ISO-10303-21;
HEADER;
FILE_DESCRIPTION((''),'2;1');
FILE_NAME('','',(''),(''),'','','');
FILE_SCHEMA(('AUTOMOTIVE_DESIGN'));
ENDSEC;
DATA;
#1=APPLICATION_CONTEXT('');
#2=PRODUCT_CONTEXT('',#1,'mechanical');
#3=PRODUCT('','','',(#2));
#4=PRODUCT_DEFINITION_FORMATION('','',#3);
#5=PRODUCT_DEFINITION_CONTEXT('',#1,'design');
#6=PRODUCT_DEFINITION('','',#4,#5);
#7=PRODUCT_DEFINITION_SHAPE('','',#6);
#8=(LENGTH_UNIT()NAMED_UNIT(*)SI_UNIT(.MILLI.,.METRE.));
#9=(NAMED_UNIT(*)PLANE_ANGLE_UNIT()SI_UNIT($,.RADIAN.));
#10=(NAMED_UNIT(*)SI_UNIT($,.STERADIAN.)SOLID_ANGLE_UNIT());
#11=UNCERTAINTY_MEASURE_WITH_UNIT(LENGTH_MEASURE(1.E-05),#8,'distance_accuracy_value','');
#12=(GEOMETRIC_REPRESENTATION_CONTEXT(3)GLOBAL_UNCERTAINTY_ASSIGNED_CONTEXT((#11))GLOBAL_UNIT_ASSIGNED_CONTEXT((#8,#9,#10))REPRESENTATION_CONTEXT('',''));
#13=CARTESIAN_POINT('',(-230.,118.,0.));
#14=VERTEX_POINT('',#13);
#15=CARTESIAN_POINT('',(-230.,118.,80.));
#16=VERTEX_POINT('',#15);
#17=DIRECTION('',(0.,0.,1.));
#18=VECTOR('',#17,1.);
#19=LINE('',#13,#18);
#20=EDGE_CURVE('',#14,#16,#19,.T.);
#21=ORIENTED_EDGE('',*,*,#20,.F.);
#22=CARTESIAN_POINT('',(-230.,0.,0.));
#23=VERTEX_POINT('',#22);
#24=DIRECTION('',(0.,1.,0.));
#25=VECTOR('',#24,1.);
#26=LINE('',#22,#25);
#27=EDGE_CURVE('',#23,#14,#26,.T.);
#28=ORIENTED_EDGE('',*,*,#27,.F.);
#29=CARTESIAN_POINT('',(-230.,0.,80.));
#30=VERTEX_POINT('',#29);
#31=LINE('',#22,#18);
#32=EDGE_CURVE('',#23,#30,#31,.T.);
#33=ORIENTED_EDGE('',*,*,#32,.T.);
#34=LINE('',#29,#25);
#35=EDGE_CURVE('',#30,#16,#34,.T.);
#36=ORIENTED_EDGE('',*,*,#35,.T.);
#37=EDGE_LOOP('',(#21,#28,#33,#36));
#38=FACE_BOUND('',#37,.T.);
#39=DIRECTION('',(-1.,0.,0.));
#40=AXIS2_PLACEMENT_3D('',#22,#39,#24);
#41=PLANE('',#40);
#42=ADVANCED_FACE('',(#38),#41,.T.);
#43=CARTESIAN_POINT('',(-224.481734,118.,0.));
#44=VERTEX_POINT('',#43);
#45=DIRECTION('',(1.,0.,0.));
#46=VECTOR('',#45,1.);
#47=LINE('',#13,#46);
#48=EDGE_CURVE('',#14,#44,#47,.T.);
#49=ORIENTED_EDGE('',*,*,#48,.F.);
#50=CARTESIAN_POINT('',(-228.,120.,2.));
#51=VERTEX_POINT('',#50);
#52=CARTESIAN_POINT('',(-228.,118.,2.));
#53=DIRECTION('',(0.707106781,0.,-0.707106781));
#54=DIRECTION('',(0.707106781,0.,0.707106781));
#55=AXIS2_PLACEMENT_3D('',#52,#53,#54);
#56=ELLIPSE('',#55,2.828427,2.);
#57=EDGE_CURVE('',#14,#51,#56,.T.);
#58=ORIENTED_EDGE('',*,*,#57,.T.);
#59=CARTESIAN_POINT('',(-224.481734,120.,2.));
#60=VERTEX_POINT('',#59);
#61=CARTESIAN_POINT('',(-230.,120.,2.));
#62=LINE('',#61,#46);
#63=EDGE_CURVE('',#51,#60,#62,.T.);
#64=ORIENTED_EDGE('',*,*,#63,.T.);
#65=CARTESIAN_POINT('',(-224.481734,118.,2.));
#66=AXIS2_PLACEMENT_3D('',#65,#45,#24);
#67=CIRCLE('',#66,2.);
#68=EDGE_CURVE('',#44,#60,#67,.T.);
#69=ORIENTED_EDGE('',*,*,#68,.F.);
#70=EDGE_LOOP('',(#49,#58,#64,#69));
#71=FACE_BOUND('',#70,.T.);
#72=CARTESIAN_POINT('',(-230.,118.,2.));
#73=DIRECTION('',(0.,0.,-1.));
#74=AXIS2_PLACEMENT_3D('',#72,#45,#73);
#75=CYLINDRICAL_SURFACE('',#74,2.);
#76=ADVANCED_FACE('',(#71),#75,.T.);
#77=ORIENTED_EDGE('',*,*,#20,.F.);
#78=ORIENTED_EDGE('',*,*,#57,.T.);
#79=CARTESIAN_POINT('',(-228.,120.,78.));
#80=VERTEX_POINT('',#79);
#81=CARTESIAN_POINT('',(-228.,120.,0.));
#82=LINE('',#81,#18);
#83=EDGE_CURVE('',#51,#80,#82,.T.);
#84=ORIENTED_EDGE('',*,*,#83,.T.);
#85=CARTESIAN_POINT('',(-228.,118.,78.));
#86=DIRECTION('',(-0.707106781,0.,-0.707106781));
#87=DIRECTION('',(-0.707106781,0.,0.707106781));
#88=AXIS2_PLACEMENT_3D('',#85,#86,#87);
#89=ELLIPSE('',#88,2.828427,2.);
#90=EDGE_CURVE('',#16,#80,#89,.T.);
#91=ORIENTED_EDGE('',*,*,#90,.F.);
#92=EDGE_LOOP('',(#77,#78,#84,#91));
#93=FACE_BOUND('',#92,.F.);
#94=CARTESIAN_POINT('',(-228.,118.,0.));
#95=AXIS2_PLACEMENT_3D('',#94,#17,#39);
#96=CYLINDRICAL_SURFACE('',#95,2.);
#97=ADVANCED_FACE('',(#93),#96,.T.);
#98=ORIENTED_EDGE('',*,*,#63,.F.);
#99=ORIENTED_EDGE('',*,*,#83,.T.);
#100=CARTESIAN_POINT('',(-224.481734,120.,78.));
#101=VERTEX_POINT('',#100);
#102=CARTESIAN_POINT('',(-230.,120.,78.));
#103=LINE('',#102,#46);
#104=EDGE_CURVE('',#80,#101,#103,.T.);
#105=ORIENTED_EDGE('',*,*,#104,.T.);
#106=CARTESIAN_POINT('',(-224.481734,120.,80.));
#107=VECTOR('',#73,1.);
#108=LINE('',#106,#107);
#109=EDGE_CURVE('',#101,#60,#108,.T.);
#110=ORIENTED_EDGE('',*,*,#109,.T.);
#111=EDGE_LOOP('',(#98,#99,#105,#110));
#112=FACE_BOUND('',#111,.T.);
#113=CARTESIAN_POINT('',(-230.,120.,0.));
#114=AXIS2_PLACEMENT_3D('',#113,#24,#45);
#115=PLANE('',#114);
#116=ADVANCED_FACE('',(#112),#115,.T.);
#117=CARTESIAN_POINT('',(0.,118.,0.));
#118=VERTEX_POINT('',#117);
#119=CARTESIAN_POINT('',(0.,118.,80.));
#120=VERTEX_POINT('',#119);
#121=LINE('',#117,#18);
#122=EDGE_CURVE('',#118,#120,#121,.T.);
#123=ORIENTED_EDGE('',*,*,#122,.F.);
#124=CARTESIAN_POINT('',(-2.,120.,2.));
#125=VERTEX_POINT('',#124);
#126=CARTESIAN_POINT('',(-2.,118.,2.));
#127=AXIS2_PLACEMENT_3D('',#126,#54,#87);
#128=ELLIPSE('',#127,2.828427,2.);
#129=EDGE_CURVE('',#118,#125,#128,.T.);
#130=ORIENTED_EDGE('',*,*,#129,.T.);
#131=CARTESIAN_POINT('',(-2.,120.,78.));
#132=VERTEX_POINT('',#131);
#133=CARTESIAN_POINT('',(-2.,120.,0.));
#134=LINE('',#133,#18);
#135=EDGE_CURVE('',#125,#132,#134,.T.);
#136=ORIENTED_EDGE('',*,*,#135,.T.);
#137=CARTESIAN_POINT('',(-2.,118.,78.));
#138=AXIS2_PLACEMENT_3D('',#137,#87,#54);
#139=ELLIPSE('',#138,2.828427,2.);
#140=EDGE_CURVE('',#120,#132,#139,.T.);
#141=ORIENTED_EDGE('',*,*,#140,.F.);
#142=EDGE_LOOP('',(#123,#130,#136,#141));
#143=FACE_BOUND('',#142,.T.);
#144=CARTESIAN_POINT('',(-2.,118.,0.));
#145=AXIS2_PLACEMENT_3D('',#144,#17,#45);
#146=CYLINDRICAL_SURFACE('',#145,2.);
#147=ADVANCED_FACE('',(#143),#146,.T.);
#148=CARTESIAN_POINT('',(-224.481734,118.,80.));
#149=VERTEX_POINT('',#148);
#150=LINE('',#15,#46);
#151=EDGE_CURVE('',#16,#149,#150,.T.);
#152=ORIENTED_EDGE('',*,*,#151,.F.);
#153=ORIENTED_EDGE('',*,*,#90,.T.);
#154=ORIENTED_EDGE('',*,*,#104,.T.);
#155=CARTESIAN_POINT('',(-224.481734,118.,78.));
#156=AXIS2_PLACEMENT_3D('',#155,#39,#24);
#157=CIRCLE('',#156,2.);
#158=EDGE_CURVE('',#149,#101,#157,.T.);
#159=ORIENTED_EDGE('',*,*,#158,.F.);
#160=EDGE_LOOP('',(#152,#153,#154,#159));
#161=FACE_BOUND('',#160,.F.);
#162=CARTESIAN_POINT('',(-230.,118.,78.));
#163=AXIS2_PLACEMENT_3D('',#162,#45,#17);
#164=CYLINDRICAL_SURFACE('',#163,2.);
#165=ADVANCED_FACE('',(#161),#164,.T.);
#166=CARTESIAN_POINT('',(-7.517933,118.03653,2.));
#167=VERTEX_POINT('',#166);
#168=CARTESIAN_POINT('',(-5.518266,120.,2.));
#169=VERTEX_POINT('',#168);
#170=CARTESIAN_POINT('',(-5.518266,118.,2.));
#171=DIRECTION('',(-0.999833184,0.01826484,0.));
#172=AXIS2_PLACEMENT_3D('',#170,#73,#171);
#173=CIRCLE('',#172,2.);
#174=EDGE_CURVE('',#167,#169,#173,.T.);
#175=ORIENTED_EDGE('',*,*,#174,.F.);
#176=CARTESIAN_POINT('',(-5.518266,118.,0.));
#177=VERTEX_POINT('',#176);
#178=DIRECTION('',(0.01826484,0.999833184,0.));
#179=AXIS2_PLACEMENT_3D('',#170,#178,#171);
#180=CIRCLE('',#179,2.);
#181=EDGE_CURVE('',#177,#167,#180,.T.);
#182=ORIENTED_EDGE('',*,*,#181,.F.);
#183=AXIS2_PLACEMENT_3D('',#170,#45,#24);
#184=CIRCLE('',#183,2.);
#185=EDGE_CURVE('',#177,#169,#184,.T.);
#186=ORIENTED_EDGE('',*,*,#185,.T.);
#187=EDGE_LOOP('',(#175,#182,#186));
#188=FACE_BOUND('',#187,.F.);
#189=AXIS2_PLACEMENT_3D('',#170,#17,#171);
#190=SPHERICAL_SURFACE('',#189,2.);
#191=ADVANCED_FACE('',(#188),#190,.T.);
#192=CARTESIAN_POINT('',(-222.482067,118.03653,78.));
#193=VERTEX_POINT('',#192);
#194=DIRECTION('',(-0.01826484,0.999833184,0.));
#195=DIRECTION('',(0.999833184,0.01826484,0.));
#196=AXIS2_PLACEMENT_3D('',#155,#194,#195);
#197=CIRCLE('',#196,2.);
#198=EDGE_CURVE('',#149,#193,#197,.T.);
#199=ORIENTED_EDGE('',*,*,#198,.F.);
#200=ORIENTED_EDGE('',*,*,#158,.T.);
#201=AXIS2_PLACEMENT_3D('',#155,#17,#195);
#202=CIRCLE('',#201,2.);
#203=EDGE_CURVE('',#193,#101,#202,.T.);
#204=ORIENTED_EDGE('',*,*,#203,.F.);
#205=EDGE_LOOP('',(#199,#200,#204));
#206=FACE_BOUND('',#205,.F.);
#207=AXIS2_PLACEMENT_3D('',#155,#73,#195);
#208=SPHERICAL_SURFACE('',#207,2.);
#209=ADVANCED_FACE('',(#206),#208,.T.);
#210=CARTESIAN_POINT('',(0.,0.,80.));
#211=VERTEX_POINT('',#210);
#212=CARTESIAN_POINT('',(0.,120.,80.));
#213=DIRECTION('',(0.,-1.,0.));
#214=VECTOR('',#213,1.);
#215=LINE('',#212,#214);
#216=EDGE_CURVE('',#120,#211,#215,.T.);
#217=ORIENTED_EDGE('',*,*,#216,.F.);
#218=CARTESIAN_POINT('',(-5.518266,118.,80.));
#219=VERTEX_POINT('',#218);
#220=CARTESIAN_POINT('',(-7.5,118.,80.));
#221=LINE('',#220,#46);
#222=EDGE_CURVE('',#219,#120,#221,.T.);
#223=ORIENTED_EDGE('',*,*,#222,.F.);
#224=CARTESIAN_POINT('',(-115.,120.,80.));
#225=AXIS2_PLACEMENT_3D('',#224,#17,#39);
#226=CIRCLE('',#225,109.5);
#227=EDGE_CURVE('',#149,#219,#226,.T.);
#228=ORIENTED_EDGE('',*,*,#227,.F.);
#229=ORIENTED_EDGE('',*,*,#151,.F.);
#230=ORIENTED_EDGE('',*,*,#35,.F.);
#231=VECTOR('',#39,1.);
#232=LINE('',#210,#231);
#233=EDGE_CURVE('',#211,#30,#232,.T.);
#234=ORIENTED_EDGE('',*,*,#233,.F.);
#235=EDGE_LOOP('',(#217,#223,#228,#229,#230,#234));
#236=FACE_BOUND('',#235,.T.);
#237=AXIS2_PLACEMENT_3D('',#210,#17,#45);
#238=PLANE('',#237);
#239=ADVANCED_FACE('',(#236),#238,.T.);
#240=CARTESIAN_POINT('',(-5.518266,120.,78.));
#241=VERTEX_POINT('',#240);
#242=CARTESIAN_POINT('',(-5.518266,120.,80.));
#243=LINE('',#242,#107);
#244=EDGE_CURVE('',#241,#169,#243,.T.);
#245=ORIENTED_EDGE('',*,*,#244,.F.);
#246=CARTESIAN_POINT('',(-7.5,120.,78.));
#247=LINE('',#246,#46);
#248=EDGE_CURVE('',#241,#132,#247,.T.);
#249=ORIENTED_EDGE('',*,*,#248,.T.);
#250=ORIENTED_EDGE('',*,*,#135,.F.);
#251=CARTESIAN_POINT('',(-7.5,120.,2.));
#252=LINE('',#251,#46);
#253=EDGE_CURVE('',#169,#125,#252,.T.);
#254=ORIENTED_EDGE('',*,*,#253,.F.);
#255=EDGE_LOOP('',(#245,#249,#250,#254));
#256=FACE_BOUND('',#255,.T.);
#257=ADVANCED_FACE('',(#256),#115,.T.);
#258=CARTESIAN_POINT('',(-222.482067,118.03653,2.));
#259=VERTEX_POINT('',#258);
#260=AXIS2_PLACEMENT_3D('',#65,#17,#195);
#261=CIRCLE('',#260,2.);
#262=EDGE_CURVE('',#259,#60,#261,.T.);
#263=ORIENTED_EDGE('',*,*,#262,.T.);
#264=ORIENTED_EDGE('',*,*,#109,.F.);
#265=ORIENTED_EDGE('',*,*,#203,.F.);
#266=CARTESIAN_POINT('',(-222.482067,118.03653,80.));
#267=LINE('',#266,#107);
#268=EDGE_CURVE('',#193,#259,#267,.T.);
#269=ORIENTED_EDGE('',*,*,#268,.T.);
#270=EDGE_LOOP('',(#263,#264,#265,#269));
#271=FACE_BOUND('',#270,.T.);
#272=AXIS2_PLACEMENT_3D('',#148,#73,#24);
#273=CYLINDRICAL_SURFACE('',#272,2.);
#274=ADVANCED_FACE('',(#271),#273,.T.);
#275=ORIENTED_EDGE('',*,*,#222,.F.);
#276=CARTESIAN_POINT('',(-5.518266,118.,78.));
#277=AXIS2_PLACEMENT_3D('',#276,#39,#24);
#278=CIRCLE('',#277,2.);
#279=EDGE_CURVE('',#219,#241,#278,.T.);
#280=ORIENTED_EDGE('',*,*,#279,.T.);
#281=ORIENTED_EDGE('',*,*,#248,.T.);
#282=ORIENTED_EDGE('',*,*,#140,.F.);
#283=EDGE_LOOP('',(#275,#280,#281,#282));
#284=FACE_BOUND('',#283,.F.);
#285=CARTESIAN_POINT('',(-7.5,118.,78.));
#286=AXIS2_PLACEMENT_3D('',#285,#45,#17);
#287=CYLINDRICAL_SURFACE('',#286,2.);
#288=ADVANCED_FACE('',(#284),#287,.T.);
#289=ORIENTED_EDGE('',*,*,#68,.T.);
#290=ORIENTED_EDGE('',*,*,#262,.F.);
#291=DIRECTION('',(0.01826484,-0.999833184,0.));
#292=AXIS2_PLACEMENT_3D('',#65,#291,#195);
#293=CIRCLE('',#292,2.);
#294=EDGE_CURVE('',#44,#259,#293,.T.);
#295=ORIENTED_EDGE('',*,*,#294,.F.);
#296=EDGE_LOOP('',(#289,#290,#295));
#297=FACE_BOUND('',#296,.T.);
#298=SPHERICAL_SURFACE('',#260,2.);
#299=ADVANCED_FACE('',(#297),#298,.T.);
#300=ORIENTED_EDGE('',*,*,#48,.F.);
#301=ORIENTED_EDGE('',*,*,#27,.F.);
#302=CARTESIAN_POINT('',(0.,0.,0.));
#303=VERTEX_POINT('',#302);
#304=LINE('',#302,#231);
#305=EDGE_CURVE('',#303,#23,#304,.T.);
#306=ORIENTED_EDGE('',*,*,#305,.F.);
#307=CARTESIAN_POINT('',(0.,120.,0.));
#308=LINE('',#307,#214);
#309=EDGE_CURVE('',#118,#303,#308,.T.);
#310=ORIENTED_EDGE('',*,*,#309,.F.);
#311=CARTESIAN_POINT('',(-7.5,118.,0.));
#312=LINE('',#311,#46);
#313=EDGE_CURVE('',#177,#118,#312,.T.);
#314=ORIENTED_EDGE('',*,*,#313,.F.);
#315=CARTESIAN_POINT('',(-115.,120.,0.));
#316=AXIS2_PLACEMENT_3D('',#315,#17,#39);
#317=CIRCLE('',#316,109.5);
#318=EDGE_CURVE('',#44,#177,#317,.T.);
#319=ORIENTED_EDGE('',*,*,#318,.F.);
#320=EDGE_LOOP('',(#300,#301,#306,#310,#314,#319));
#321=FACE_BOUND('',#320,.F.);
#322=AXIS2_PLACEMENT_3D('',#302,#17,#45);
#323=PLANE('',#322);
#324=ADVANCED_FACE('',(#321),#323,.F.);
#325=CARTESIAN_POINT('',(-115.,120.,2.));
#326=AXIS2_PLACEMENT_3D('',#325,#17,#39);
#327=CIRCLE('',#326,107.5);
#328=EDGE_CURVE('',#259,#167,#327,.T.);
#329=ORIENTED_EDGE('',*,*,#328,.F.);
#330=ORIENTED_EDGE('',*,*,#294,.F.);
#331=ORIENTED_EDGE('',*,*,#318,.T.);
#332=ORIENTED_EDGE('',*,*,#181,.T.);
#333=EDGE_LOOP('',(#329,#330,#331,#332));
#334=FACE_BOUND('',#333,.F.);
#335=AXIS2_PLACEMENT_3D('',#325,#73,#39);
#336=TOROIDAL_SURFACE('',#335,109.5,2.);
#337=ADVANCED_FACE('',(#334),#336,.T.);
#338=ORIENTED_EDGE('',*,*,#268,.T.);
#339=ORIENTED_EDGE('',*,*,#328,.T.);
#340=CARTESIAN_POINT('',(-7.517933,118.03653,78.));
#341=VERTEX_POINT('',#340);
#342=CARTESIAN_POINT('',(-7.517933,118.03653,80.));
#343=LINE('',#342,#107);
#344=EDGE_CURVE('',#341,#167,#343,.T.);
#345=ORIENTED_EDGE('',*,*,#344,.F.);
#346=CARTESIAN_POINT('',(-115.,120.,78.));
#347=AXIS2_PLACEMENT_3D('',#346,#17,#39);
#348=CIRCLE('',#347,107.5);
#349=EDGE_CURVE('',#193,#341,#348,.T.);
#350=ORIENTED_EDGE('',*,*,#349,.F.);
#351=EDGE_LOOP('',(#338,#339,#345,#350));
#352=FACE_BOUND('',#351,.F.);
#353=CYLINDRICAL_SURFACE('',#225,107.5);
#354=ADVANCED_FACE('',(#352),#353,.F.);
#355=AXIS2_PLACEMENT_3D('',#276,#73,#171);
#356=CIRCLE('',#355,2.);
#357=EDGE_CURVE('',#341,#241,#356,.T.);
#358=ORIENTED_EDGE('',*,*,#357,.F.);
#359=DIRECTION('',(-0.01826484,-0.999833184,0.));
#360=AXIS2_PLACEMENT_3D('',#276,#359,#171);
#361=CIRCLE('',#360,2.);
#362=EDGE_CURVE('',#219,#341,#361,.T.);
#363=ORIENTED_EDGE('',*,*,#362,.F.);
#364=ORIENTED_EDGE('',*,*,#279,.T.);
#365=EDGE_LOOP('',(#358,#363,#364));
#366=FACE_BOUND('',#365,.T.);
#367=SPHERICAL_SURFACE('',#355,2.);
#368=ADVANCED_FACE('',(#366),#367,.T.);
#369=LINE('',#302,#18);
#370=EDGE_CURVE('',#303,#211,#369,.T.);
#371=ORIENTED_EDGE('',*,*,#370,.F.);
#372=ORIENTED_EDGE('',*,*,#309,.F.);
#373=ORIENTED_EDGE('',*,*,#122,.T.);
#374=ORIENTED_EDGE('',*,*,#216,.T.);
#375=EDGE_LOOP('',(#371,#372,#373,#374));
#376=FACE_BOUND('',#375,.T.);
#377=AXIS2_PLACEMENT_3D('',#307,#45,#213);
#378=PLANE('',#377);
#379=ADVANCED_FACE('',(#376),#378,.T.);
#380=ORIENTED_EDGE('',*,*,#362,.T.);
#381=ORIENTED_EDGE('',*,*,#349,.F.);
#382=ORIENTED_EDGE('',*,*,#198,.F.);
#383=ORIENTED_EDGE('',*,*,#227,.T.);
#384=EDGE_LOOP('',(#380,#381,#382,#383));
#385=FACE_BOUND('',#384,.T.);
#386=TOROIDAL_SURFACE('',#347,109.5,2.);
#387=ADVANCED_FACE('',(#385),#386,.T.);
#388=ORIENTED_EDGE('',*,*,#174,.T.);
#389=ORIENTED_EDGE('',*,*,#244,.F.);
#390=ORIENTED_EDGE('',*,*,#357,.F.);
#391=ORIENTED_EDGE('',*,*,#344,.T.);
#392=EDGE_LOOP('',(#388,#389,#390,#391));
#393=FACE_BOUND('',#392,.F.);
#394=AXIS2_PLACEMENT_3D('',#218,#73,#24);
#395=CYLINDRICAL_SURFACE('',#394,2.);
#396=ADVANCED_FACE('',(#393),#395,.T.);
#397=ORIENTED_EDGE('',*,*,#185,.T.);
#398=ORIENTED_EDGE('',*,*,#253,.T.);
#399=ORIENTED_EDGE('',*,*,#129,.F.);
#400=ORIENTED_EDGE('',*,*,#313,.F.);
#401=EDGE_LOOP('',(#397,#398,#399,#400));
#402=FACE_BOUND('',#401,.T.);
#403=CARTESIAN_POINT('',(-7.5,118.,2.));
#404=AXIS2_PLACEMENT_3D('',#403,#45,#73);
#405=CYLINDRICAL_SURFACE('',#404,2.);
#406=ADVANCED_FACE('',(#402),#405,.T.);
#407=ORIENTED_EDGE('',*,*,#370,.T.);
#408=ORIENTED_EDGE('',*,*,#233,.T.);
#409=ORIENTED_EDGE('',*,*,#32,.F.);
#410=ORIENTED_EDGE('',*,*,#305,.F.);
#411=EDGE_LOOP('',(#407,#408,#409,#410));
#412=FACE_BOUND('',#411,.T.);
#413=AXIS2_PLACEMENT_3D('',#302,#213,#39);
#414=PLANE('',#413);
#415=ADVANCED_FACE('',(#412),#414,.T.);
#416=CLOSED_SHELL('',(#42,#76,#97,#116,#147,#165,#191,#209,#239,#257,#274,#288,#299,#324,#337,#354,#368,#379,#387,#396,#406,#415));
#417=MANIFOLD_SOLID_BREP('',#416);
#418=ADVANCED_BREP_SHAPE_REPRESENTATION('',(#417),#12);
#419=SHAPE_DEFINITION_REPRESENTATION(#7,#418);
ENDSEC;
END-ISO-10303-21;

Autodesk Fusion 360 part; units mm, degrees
sketch "Sketch1" plane through (0, 0, 0) normal (0, 0, 1) x (1, 0, 0)
  line L0 (0, 0) -> (-230, 0)
  line L1 (-230, 0) -> (-230, 120)
  line L2 (-230, 120) -> (0, 120)
  line L3 (0, 120) -> (0, 0)
  dimension "d1" = 120
  dimension "d2" = 230
extrude "Extrude1" add sketch "Sketch1" along normal blind 80
sketch "Sketch2" plane through (0, 0, 80) normal (0, 0, 1) x (-1, 0, 0)
  line L0 (0, -120) -> (230, -120)
  line L1 (230, -120) -> (230, 0)
  line L2 (230, 0) -> (0, 0)
  line L3 (0, 0) -> (0, -120)
  circle A0 centre (115, -120) radius 107.5
  dimension "d5" = 215
extrude "Extrude2" cut sketch "Sketch2" against normal blind 170 contours L0 A0 picked at (128.0914, -86.6437)
fillet "Fillet1" radius 2 10 edges at (-222.5, 120, 40) (-230, 120, 40) (-7.5, 120, 40) (0, 120, 40) (-115, 12.5, 80) (-115, 12.5, 0) (-3.75, 120, 80) (-3.75, 120, 0) (-226.25, 120, 80) (-226.25, 120, 0)
